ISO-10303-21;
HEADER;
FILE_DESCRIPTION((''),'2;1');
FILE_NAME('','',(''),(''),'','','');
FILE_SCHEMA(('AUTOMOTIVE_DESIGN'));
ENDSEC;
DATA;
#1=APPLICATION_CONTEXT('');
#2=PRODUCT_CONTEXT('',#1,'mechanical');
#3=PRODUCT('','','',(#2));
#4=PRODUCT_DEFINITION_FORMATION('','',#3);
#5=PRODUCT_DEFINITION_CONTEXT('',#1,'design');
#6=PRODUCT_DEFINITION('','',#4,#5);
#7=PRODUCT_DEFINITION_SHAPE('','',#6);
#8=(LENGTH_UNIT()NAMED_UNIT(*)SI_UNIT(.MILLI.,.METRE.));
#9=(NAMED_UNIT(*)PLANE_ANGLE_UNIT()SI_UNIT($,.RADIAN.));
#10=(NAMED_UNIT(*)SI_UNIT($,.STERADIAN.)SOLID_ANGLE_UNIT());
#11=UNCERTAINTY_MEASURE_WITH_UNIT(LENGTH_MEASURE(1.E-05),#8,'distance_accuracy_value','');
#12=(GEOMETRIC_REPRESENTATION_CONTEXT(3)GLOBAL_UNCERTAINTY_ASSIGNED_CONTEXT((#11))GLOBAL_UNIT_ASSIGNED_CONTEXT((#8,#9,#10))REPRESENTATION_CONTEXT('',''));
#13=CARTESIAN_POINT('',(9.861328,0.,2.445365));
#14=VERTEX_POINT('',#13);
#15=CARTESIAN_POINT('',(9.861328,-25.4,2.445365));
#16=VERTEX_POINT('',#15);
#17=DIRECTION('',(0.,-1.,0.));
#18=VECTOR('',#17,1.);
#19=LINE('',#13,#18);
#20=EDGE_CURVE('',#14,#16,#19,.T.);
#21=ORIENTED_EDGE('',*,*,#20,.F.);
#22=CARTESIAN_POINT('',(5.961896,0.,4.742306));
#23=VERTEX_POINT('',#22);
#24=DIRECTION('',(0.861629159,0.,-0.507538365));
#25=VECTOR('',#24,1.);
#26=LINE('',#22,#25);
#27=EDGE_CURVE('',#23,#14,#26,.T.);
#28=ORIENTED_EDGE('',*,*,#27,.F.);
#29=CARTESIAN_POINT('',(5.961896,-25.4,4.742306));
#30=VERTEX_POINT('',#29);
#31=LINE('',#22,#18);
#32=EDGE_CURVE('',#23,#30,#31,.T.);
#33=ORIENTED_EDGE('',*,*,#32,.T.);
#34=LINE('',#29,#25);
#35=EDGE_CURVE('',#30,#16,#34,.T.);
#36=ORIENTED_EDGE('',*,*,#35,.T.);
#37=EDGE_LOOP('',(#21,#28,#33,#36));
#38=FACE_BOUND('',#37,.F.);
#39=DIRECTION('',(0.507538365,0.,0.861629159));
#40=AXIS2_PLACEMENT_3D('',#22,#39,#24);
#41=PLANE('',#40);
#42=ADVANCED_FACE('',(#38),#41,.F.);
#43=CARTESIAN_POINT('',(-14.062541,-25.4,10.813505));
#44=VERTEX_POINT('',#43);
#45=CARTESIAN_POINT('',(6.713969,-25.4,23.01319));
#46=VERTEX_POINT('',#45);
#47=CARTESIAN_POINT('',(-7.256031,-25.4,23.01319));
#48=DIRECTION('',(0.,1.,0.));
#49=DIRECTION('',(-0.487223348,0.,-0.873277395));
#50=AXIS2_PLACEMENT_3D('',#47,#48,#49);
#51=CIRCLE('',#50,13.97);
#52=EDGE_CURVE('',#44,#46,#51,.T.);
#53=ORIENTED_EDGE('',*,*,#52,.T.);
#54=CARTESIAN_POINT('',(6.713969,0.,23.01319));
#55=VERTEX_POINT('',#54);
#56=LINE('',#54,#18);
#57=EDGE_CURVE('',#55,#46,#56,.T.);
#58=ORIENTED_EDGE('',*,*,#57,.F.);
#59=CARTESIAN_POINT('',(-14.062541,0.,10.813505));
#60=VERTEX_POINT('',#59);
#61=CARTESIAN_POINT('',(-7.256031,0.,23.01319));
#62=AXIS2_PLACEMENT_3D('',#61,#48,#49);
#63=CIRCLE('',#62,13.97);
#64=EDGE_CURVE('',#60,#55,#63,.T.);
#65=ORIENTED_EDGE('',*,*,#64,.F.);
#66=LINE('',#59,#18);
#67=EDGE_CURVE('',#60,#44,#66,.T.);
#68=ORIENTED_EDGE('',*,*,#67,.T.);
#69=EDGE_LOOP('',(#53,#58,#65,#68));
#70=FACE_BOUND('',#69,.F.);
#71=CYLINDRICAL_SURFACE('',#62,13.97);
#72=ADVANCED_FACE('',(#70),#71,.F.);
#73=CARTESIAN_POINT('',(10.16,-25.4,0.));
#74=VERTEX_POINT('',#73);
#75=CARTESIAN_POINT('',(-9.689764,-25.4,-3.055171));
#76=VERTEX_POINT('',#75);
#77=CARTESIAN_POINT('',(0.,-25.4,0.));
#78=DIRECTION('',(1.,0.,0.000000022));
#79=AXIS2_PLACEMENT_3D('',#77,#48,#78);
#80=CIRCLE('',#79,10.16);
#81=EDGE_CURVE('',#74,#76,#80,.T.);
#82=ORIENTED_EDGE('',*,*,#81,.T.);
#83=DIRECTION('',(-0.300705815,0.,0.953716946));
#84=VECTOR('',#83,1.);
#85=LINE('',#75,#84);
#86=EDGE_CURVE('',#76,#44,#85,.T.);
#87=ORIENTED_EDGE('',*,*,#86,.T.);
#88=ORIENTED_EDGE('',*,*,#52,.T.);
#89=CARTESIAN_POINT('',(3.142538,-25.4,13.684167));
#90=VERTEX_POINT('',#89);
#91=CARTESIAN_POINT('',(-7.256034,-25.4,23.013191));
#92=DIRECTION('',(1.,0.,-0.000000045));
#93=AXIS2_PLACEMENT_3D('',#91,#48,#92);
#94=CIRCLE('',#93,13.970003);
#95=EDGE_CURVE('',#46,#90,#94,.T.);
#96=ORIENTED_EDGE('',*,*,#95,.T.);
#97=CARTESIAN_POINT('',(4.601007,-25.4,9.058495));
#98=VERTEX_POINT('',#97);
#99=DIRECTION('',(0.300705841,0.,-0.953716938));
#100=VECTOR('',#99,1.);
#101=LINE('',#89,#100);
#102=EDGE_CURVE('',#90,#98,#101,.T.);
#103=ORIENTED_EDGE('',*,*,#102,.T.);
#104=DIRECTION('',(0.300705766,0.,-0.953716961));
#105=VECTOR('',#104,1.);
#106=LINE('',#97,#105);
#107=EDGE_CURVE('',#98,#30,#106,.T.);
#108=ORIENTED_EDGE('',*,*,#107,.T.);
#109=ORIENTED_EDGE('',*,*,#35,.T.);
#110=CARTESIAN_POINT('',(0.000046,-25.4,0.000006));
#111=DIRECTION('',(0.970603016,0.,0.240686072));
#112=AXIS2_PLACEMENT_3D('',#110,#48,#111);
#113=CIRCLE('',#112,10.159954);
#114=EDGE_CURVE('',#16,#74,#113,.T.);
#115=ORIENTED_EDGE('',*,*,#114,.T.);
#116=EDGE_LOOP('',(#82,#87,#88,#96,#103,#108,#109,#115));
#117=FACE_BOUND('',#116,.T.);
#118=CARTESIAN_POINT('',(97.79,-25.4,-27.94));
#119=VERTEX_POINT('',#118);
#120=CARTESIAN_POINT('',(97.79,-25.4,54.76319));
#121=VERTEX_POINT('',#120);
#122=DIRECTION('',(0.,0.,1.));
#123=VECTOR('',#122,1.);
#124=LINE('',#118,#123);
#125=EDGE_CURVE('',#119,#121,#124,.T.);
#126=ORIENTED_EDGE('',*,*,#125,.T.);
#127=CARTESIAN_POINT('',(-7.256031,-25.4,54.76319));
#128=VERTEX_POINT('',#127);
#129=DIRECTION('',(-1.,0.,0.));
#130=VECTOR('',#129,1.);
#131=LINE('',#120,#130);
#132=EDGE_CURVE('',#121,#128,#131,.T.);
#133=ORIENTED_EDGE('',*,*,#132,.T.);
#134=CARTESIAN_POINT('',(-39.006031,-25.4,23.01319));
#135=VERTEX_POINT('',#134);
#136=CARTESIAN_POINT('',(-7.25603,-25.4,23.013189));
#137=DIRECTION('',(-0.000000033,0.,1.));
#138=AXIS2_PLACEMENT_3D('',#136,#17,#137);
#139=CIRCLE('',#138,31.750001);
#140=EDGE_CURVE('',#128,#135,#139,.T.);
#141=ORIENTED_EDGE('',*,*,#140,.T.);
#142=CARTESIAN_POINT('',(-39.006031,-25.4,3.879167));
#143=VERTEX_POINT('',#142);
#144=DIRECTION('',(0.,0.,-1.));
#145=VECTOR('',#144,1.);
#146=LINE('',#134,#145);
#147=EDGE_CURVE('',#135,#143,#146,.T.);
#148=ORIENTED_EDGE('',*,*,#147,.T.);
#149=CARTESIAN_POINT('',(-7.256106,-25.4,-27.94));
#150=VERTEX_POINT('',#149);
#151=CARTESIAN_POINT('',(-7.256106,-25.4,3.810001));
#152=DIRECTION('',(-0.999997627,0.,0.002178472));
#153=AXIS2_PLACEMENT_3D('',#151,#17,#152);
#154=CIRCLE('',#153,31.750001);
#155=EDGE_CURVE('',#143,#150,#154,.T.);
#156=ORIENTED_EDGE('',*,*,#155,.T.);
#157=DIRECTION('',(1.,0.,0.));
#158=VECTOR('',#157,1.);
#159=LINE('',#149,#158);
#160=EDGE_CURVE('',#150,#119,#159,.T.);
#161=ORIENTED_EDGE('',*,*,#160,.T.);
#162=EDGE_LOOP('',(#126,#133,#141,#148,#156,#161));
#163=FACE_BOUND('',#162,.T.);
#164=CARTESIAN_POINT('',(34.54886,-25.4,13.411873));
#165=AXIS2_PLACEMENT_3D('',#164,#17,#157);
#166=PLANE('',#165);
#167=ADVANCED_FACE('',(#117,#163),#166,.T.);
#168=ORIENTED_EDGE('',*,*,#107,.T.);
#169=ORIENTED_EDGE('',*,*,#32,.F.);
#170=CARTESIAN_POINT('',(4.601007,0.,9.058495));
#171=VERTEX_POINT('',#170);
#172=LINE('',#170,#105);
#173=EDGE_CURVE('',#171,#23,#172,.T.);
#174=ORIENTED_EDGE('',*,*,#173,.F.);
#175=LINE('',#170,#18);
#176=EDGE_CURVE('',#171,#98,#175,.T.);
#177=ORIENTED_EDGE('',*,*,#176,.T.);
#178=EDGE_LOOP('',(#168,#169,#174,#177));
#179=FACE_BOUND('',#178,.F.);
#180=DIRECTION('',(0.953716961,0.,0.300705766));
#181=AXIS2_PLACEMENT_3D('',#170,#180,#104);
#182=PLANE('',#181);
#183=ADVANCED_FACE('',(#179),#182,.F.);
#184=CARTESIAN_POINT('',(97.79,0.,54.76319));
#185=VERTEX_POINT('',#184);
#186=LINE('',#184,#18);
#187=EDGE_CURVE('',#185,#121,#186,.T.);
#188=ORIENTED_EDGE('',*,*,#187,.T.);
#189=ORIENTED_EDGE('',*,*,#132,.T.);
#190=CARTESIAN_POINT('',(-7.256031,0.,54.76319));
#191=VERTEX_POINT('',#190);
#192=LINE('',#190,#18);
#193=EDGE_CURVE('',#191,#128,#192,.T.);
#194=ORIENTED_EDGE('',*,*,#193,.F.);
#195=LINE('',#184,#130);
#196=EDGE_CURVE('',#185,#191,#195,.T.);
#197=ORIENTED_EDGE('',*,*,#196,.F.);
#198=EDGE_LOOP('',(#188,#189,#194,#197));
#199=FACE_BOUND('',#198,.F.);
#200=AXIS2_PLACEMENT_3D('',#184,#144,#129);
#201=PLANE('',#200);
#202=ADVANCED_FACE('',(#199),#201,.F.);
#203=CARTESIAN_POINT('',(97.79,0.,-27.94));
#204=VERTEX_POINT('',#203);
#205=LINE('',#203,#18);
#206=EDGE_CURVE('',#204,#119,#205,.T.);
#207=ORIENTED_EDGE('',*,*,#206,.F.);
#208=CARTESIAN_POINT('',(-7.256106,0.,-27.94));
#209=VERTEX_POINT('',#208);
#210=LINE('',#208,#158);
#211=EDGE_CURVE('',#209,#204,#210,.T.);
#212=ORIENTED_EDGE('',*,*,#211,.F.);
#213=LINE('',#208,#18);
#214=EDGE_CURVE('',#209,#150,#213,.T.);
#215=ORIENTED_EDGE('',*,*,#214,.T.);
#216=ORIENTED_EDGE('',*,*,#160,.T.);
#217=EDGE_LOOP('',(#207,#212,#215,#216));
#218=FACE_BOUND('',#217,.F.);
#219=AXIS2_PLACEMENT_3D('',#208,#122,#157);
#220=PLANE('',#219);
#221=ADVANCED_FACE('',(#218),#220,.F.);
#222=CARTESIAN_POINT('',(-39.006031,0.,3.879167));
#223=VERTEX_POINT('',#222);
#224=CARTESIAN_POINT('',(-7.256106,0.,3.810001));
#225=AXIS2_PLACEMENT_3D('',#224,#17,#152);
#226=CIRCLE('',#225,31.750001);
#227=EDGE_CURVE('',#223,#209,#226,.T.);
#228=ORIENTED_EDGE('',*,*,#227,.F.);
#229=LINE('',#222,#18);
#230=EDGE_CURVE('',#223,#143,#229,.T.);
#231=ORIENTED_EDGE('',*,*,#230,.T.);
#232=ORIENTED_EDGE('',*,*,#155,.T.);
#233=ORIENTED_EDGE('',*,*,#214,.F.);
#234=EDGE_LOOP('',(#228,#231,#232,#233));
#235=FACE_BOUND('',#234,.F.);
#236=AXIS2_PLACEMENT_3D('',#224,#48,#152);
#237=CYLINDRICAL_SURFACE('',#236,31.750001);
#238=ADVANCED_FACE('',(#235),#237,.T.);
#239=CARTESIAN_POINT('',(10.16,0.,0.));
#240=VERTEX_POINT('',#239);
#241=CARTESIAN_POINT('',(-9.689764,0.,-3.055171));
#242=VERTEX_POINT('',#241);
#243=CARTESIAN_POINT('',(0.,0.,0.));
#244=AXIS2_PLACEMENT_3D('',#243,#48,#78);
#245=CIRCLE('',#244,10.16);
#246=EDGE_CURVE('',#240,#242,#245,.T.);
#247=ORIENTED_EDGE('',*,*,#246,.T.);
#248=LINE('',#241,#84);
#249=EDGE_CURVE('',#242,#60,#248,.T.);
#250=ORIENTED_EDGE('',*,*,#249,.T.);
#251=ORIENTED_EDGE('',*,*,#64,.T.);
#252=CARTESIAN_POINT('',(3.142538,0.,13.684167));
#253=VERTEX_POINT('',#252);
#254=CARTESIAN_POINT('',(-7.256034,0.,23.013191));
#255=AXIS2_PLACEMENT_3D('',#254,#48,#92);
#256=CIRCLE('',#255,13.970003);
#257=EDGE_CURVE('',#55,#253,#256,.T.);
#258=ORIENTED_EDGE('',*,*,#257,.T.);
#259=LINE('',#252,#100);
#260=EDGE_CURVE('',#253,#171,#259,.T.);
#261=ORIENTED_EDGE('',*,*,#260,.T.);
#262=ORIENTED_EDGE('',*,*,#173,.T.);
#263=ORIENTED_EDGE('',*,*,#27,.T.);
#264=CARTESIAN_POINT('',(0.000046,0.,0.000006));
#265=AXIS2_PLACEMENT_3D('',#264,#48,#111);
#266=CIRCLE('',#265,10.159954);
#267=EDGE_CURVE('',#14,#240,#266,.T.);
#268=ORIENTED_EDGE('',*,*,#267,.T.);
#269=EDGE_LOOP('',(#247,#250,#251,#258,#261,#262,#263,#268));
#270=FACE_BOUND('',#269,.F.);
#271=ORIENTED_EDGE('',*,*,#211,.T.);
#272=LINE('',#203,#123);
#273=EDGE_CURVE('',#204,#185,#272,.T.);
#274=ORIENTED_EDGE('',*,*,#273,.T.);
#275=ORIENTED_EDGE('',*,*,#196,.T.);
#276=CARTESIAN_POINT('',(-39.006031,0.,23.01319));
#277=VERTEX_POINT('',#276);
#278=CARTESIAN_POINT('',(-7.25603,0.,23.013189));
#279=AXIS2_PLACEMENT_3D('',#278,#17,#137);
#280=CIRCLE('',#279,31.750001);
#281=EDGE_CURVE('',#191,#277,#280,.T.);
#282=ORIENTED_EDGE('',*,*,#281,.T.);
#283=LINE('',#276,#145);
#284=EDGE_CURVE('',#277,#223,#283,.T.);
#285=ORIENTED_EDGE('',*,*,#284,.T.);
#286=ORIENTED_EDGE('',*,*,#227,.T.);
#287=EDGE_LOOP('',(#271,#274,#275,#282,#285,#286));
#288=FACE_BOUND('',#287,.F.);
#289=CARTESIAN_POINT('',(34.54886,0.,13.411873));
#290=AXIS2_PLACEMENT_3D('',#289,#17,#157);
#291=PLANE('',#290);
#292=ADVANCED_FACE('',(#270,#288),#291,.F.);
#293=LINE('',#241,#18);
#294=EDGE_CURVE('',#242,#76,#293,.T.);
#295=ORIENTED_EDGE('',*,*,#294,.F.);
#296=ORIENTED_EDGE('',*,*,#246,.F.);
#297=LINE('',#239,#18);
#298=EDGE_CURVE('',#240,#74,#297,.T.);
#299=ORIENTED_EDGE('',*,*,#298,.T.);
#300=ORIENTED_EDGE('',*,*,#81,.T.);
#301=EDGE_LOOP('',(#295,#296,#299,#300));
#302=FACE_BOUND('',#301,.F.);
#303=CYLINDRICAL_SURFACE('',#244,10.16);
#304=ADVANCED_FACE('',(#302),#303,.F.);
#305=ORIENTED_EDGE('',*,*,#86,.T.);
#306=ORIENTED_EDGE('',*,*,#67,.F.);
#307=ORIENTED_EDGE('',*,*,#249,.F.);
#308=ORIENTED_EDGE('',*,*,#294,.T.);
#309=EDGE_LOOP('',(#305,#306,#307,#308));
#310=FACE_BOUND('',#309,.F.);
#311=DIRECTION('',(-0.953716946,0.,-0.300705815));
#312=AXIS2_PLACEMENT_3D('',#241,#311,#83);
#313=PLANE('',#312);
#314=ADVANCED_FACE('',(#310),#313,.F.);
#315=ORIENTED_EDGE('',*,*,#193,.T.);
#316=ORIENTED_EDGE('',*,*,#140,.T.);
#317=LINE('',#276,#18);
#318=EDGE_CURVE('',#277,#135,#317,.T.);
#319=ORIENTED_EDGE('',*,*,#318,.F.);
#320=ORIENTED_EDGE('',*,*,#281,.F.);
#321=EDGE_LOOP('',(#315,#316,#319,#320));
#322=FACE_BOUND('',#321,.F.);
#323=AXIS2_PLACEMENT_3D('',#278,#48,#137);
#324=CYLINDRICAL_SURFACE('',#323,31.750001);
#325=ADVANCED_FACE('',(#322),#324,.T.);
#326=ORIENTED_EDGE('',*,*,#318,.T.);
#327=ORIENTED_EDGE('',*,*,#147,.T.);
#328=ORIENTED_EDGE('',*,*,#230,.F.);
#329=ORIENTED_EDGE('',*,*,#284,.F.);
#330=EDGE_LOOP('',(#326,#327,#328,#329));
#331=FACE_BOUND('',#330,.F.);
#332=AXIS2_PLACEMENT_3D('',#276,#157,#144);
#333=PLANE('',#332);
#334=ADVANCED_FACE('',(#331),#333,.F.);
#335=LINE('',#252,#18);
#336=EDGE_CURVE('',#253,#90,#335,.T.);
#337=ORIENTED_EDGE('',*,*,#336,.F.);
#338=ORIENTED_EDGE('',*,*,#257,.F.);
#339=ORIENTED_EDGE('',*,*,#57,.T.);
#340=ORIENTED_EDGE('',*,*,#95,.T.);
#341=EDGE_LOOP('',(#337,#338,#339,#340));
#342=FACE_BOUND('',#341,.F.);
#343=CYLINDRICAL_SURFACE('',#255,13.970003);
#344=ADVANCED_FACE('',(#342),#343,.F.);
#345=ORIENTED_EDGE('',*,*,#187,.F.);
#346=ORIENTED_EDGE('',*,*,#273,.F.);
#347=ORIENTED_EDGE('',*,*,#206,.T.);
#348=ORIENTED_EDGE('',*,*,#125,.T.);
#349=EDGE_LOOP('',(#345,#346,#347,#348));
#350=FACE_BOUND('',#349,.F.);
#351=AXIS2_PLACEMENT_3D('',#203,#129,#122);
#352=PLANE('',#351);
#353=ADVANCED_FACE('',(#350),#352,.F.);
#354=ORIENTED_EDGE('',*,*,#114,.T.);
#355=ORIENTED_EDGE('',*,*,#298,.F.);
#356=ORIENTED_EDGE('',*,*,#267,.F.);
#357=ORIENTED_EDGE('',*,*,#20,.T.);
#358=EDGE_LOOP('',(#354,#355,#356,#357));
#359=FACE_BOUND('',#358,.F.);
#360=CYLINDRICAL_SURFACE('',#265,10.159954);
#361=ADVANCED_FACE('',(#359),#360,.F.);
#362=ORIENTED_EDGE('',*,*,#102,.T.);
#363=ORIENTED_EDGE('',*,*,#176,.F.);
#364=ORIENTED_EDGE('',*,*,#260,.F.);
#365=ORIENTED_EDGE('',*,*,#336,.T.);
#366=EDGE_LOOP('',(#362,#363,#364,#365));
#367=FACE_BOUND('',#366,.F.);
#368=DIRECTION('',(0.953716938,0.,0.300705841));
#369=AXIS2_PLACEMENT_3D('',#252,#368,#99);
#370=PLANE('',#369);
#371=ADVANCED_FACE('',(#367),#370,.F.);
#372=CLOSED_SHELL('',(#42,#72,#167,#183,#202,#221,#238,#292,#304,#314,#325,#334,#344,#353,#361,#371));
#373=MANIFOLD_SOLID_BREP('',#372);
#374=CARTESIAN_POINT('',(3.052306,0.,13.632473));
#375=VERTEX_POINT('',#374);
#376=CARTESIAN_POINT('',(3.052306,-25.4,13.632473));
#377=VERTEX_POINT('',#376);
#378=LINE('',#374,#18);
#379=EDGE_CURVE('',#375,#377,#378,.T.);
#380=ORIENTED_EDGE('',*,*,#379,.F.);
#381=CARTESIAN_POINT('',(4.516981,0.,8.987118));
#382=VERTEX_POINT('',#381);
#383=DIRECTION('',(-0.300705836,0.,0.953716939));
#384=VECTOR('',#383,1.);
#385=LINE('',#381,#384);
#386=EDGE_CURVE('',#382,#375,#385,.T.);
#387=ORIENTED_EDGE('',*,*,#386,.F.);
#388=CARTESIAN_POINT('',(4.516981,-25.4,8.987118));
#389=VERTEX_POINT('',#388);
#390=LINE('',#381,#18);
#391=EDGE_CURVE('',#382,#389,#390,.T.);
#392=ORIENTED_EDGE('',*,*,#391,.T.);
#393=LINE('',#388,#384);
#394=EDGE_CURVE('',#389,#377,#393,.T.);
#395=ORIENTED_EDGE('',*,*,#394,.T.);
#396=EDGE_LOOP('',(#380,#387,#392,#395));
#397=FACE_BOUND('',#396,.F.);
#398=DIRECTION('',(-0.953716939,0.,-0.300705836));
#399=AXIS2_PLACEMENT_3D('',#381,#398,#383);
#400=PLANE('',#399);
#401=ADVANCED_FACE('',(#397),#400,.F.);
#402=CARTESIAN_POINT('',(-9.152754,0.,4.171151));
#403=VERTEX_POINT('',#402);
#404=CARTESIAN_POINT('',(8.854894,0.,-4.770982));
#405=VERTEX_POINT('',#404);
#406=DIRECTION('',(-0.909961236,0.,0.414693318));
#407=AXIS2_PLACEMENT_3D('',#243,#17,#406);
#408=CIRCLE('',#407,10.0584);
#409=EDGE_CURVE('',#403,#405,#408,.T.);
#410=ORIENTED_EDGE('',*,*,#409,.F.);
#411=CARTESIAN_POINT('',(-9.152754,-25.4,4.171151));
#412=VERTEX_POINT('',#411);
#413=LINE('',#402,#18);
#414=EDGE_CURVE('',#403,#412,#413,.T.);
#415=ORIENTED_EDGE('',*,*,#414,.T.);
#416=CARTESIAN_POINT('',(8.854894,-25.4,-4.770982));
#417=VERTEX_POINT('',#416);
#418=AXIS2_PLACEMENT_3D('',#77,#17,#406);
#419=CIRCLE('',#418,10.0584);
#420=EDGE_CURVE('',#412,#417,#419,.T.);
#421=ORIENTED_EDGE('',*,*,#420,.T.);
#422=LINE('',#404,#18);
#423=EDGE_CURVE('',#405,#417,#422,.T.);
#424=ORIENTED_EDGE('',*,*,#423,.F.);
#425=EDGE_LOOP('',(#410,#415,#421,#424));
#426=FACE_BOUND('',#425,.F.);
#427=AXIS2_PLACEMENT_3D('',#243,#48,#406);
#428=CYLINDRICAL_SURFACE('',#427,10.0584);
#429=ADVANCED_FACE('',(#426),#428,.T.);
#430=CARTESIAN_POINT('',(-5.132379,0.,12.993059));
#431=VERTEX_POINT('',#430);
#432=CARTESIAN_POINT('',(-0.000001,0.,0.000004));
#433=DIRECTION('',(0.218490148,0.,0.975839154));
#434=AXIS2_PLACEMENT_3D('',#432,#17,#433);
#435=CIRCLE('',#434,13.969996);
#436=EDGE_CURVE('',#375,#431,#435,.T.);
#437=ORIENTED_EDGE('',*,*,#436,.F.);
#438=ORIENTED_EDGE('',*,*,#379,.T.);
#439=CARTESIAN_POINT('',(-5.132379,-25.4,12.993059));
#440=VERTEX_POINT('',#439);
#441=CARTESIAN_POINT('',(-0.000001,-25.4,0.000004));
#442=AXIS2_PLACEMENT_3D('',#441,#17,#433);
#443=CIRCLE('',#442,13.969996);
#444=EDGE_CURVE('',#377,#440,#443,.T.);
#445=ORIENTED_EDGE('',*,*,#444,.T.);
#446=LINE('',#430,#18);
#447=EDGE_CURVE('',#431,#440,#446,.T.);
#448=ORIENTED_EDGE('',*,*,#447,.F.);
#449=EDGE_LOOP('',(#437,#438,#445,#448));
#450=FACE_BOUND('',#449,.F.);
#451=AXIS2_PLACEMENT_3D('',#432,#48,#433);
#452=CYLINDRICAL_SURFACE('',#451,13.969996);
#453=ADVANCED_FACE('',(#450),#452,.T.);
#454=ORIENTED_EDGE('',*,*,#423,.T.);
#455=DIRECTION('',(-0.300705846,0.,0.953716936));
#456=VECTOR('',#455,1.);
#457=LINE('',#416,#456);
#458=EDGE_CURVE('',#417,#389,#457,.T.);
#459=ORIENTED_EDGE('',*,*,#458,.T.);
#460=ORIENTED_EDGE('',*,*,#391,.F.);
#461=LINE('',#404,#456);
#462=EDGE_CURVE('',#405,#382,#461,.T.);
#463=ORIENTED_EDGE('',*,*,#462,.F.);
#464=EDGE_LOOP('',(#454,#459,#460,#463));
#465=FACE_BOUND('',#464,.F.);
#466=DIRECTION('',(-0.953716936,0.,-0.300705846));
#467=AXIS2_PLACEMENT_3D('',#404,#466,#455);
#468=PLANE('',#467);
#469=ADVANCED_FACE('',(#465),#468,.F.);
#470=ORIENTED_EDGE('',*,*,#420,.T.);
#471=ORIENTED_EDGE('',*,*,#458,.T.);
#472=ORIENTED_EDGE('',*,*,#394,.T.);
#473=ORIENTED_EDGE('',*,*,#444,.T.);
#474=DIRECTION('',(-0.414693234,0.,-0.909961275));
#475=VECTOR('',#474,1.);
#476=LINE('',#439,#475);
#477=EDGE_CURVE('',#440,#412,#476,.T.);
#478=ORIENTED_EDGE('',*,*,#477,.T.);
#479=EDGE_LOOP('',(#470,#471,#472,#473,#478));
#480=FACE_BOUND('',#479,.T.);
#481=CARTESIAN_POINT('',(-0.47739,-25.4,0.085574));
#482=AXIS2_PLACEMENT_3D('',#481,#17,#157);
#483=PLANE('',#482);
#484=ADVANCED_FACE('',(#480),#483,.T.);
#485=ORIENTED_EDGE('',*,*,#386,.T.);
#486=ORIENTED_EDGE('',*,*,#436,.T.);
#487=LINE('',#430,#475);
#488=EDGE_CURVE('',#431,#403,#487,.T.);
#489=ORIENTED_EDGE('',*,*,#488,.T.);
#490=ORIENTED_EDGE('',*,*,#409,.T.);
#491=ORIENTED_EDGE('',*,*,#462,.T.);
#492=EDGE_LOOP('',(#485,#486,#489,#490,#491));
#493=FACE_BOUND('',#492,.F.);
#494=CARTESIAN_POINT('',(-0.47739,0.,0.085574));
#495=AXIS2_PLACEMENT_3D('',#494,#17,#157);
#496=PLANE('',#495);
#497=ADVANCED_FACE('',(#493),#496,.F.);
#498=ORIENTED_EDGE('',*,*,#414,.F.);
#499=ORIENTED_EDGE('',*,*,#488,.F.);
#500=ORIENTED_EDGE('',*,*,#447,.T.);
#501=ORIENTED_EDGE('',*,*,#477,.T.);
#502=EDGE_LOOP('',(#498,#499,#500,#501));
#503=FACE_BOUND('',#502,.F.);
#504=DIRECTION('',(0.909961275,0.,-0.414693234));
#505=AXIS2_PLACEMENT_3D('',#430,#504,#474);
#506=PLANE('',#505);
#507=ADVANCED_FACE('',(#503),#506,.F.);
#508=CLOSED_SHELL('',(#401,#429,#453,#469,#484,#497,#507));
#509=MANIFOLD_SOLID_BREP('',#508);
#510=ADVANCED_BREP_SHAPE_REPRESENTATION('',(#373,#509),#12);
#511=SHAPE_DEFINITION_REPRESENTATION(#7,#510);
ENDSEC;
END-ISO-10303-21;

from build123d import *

# Parameters (mm, degrees)
F2_DEPTH = 25.4
F3_DEPTH = 25.4


with BuildPart() as f2:
    # F0 (on Front) → F2 (new body)
    with BuildSketch(Plane.XZ):
        with BuildLine():
            Line((0, 54.76319), (-7.256031, 54.76319))
            ThreePointArc((-7.256031, 54.76319), (-29.706671, 45.46383), (-39.006031, 23.01319))
            Line((-39.006031, 23.01319), (-39.006031, 3.879167))
            ThreePointArc((-39.006031, 3.879167), (-29.731187, -18.616173), (-7.256106, -27.94))
            Line((-7.256106, -27.94), (0, -27.94))
            Line((0, -27.94), (97.79, -27.94))
            Line((97.79, -27.94), (97.79, 54.76319))
            Line((97.79, 54.76319), (0, 54.76319))
        make_face()
        with BuildLine():
            ThreePointArc((9.861328, 2.445365), (10.085056, 1.231768), (10.16, 0))
            ThreePointArc((10.16, 0), (1.545574, -10.041753), (-9.689764, -3.055171))
            Line((-9.689764, -3.055171), (-14.062541, 10.813505))
            ThreePointArc((-14.062541, 10.813505), (-14.329713, 35.059929), (6.713969, 23.01319))
            ThreePointArc((6.713969, 23.01319), (5.790595, 18.018548), (3.142538, 13.684167))
            Line((3.142538, 13.684167), (4.601007, 9.058495))
            ThreePointArc((4.601007, 9.058495), (7.951299, 6.324749), (9.861328, 2.445365))
        make_face(mode=Mode.SUBTRACT)
        with BuildLine():
            Line((5.961896, 4.742306), (9.861328, 2.445365))
            ThreePointArc((9.861328, 2.445365), (7.951299, 6.324749), (4.601007, 9.058495))
            Line((4.601007, 9.058495), (5.961896, 4.742306))
        make_face()
    extrude(amount=F2_DEPTH)


with BuildPart() as f3:
    # F1 (on Front) → F3 (new body)
    with BuildSketch(Plane.XZ):
        with BuildLine():
            Line((8.854894, -4.770982), (4.516981, 8.987118))
            ThreePointArc((4.516981, 8.987118), (-3.342302, 9.486855), (-9.152754, 4.171151))
            ThreePointArc((-9.152754, 4.171151), (-4.473546, -9.008818), (8.854894, -4.770982))
        make_face()
        with BuildLine():
            ThreePointArc((-9.152754, 4.171151), (-3.342302, 9.486855), (4.516981, 8.987118))
            Line((4.516981, 8.987118), (3.052306, 13.632473))
            ThreePointArc((3.052306, 13.632473), (-1.088066, 13.927563), (-5.132379, 12.993059))
            Line((-5.132379, 12.993059), (-9.152754, 4.171151))
        make_face()
    extrude(amount=F3_DEPTH)


solid = Compound([f2.part, f3.part])
